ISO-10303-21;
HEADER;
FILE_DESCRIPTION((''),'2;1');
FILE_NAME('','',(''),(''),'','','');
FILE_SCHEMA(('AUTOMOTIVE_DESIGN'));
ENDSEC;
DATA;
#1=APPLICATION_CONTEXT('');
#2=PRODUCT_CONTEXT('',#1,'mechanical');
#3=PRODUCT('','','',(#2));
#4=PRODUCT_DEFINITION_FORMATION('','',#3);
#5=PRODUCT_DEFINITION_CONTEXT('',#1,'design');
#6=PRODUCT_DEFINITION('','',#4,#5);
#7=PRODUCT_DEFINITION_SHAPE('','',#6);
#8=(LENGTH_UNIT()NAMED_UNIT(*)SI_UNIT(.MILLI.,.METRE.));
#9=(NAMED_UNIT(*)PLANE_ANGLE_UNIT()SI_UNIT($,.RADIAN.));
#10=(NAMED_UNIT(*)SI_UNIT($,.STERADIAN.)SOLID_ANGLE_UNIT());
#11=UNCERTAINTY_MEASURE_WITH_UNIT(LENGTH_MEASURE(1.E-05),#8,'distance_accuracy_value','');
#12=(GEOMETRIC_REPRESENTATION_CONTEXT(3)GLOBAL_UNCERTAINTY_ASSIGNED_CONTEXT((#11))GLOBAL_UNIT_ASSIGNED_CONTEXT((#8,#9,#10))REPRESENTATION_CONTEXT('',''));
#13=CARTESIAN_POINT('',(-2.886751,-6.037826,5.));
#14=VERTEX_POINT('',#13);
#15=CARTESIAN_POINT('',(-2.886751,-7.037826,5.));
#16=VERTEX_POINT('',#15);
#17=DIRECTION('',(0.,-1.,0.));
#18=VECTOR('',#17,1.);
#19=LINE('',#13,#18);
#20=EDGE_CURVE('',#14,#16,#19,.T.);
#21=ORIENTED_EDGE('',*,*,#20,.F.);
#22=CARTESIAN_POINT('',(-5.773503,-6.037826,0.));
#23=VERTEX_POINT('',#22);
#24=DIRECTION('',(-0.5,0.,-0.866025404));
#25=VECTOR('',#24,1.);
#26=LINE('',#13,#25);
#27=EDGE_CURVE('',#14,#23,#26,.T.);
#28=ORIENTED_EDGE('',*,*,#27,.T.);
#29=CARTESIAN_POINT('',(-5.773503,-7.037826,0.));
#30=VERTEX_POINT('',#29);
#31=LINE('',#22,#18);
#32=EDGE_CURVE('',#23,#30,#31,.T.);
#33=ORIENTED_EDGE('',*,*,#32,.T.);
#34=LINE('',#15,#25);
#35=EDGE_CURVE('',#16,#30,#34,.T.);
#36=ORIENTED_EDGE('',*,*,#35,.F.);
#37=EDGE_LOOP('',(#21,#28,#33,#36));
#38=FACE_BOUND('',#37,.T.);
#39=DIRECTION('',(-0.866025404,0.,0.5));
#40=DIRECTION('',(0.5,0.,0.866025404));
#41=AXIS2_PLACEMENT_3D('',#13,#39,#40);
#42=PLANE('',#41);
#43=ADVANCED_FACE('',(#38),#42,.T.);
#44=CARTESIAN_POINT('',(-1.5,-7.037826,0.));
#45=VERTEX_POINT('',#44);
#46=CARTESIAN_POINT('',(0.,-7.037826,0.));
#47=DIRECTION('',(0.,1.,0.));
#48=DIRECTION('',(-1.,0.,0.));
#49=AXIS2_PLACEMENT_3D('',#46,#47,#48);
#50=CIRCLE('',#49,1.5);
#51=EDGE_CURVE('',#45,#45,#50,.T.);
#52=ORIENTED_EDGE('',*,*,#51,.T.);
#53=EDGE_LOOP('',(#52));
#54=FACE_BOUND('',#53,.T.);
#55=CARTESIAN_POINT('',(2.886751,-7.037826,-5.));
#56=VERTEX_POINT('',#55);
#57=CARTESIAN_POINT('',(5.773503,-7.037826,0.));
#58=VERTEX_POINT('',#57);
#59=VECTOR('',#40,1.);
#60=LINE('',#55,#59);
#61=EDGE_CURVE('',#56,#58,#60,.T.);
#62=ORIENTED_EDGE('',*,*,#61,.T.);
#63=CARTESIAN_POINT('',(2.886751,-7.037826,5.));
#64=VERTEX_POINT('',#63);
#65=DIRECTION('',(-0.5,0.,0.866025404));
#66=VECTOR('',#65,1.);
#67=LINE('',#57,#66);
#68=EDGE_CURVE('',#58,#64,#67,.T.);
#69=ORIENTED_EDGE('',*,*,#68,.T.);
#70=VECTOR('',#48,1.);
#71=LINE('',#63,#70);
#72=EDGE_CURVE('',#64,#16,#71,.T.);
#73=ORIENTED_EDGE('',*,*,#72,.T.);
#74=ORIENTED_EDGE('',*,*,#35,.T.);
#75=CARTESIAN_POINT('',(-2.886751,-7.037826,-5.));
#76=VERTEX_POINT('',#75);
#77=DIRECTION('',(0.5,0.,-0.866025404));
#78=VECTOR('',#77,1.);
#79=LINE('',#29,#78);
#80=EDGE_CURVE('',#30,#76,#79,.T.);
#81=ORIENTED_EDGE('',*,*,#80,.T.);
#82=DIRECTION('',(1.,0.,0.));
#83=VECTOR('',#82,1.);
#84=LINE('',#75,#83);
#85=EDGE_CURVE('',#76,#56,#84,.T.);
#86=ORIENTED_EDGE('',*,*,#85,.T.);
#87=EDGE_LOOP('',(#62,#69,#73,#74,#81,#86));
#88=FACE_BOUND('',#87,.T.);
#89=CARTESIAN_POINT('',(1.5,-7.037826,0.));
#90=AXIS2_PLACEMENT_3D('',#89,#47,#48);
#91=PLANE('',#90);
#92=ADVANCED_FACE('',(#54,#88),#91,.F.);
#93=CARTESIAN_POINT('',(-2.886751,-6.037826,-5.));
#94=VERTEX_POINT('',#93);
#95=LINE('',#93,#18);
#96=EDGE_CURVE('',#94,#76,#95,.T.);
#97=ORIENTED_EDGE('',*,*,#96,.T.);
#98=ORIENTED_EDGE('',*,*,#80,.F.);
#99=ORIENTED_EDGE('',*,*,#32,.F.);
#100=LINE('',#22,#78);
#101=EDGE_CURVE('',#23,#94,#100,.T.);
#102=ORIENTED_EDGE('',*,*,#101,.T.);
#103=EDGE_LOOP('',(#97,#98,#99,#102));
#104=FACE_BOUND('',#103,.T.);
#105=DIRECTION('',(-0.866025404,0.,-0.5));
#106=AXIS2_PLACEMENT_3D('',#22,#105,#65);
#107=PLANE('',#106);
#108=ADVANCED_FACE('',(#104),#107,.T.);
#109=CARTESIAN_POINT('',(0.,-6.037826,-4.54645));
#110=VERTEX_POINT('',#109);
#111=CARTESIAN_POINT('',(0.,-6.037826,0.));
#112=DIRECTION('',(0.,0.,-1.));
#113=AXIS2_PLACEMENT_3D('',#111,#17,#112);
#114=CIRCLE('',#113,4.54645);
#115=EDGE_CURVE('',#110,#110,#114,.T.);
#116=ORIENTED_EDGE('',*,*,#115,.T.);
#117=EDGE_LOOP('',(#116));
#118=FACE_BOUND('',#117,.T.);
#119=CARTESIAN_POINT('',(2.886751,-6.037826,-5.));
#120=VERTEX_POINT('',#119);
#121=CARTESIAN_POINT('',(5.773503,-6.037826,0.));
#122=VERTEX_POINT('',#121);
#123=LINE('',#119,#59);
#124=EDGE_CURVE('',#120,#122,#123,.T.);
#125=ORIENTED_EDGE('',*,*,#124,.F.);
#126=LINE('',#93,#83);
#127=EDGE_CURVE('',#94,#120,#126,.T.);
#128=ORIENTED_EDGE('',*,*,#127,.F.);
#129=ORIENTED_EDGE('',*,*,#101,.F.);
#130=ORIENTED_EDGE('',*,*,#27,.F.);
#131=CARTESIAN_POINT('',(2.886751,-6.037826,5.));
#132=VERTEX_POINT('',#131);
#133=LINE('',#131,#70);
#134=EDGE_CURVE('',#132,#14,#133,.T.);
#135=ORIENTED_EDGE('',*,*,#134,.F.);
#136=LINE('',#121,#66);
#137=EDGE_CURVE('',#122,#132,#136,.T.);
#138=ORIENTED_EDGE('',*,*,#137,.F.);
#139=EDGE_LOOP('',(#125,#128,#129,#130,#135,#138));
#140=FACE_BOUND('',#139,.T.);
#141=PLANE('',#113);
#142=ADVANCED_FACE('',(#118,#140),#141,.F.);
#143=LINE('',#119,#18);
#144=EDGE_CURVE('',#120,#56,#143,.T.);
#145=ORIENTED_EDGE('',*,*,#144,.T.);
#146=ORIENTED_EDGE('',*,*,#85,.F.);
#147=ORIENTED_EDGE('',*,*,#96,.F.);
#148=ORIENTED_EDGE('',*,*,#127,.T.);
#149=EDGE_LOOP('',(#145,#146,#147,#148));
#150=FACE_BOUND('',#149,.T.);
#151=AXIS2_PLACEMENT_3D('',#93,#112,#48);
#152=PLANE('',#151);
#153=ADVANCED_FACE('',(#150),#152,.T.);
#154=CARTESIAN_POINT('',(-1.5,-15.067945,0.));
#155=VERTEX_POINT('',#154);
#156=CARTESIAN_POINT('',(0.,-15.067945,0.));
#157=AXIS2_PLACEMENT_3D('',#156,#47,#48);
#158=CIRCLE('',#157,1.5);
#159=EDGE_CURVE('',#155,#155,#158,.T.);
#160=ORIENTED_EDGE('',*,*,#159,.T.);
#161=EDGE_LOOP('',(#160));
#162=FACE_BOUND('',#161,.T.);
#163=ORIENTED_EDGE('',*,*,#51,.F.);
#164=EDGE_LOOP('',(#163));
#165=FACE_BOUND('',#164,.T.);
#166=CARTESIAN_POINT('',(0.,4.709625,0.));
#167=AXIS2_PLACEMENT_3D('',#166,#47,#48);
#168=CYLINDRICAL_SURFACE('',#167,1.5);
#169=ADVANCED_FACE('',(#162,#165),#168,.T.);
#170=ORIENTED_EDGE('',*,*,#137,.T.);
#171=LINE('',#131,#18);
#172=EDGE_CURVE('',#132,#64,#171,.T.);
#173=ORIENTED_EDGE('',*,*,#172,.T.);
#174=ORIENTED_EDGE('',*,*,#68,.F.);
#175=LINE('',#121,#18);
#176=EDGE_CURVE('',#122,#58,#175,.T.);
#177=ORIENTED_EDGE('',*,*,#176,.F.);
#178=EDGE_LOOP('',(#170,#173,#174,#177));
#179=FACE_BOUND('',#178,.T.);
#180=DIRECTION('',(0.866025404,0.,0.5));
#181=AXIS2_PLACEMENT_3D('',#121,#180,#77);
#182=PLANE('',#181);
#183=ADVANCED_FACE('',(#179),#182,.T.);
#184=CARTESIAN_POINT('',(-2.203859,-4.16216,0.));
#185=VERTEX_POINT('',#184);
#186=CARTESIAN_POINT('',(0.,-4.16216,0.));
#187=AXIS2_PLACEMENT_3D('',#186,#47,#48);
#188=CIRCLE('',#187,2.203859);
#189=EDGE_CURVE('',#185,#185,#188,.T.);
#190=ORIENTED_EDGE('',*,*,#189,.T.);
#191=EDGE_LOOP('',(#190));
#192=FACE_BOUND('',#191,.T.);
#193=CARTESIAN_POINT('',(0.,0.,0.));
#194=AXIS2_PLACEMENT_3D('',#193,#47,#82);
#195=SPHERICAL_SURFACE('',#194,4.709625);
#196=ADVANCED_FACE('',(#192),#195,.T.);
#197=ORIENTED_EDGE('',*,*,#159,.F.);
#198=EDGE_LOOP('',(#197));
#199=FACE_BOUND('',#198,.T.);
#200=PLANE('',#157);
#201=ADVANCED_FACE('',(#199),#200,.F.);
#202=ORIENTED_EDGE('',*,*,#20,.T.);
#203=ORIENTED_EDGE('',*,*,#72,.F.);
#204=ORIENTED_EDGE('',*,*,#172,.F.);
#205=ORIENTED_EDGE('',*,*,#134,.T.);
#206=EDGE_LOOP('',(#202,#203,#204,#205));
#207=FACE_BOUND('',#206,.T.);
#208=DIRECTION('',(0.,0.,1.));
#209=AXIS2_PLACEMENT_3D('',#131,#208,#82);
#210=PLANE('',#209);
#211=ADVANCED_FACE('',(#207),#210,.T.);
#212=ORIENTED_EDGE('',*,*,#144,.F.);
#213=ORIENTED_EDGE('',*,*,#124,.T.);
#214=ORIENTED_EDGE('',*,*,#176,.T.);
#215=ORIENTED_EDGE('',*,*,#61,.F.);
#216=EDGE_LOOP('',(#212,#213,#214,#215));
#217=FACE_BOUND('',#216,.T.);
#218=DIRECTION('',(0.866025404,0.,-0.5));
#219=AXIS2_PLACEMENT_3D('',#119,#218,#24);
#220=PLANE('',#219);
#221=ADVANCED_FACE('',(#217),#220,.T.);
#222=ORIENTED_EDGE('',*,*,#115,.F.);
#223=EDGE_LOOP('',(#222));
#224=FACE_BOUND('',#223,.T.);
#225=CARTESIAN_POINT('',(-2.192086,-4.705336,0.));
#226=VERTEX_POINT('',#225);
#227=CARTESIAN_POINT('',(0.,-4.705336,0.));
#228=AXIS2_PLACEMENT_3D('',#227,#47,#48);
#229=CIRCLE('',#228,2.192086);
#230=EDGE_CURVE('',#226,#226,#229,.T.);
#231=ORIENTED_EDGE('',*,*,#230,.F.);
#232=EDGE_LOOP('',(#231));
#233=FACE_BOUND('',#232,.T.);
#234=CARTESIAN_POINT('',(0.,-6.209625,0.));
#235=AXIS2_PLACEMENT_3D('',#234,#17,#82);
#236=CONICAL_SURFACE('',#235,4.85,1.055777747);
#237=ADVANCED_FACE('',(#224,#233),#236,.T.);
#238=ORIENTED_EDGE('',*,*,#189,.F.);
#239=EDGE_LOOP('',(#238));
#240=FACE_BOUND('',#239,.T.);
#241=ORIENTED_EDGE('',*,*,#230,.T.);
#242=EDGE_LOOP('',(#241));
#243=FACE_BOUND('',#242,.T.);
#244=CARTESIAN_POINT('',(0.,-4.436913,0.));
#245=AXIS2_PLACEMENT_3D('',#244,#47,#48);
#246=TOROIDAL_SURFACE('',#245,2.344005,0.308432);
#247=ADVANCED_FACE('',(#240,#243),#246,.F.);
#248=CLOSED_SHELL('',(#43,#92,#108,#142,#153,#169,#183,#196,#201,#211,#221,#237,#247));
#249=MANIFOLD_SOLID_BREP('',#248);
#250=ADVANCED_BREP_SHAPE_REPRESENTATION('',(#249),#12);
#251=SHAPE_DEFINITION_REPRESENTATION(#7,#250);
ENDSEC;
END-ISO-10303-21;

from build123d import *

# Parameters (mm, degrees)
BOSS_EXTRUDE1_DEPTH = 1


with BuildPart() as part:
    # Sketch1 → Revolve1 (revolve)
    with BuildSketch(Plane.XY):
        with BuildLine():
            Line((2.192086479, -4.705335748), (4.85, -6.209624758))
            Line((4.85, -6.209624758), (5, -6.209624758))
            Line((5, -6.209624758), (5, -7.037825562))
            Line((5, -7.037825562), (1.5, -7.037825562))
            Line((1.5, -7.037825562), (1.5, -15.067944601))
            Line((1.5, -15.067944601), (0, -15.067944601))
            Line((0, -15.067944601), (0, 4.709624758))
            ThreePointArc((0, 4.709624758), (4.570709757, 1.135419606), (2.203858582, -4.162159622))
            ThreePointArc((2.203858582, -4.162159622), (2.035645477, -4.430229616), (2.192086479, -4.705335748))
        make_face()
    revolve(axis=Axis((0, 4.709624758, 0), (0, -1, 0)))

    # Sketch3 → Boss-Extrude1 (add)
    with BuildSketch(Plane.XZ.offset(7.037825562)):
        Polygon((5.773502692, 0), (2.886751346, 5), (-2.886751346, 5), (-5.773502692, 0), (-2.886751346, -5), (2.886751346, -5), align=None)
    extrude(amount=-BOSS_EXTRUDE1_DEPTH)


solid = part.part
